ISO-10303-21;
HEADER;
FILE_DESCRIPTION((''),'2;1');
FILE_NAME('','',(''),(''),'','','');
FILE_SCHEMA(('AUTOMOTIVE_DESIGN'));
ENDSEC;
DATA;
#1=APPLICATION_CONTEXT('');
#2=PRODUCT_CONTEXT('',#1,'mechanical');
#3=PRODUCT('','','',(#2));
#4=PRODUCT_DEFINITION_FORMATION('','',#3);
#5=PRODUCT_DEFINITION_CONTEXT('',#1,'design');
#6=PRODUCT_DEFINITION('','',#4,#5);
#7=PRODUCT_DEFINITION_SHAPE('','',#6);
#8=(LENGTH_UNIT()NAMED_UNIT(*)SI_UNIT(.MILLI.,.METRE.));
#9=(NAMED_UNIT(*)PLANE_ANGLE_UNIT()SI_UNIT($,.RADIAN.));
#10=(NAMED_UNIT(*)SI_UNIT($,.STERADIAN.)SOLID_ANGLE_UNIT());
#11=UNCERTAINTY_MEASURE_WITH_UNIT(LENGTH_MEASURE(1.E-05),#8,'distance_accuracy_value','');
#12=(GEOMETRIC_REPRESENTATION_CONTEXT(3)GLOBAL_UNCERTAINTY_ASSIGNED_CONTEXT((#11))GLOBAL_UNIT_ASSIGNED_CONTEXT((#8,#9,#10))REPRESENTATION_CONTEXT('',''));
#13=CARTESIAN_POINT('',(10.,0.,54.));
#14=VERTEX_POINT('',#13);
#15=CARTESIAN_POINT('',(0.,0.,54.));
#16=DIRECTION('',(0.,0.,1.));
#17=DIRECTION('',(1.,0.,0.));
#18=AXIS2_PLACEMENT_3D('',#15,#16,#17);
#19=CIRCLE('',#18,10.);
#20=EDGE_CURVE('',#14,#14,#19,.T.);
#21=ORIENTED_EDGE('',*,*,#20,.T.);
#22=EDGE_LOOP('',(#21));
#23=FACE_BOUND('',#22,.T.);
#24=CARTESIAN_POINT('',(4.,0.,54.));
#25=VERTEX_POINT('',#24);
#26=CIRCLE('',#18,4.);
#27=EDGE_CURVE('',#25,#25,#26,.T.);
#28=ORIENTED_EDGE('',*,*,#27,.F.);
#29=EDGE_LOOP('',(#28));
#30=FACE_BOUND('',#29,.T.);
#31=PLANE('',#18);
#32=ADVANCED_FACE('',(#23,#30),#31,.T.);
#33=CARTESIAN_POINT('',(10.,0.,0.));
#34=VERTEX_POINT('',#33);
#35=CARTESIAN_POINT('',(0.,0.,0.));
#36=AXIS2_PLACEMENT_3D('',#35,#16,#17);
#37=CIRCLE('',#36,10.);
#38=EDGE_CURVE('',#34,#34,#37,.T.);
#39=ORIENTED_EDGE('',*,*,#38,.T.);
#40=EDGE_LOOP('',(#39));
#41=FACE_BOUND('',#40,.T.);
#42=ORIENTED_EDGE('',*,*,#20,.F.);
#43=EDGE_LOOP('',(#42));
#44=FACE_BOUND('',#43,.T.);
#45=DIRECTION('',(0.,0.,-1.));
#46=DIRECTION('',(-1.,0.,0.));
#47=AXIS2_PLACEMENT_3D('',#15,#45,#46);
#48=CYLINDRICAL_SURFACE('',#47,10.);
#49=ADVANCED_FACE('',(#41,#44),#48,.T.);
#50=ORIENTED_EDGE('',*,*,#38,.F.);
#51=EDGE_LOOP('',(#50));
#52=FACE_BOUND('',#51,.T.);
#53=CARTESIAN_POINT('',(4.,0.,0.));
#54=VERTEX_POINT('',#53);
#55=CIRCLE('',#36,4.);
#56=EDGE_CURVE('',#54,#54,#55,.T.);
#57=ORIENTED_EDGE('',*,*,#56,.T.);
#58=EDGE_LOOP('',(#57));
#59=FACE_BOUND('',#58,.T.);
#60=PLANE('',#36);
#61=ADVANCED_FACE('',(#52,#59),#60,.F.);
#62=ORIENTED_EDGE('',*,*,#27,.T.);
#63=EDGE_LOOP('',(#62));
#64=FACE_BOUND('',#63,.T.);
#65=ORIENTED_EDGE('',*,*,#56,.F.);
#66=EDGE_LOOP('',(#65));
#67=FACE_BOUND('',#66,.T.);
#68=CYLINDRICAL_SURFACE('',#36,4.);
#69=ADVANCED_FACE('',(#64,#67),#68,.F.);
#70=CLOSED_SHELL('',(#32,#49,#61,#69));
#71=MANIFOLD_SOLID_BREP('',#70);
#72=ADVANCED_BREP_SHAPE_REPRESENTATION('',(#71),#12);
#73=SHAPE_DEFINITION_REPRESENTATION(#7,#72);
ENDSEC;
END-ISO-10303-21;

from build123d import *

# Parameters (mm, degrees)
SKETCH_1_R          = 10
EXTRUDE_1_DEPTH     = 54
SKETCH_2_R          = 4
CUT_EXTRUDE_1_DEPTH = 55


with BuildPart() as part:
    # 草图1 → 凸台-拉伸1 (new body)
    with BuildSketch(Plane.XY):
        Circle(SKETCH_1_R)
    extrude(amount=EXTRUDE_1_DEPTH)

    # 草图2 → 切除-拉伸1 (cut, through all)
    with BuildSketch(Plane.XY.offset(54)):
        Circle(SKETCH_2_R)
    extrude(amount=-CUT_EXTRUDE_1_DEPTH, mode=Mode.SUBTRACT)


solid = part.part
